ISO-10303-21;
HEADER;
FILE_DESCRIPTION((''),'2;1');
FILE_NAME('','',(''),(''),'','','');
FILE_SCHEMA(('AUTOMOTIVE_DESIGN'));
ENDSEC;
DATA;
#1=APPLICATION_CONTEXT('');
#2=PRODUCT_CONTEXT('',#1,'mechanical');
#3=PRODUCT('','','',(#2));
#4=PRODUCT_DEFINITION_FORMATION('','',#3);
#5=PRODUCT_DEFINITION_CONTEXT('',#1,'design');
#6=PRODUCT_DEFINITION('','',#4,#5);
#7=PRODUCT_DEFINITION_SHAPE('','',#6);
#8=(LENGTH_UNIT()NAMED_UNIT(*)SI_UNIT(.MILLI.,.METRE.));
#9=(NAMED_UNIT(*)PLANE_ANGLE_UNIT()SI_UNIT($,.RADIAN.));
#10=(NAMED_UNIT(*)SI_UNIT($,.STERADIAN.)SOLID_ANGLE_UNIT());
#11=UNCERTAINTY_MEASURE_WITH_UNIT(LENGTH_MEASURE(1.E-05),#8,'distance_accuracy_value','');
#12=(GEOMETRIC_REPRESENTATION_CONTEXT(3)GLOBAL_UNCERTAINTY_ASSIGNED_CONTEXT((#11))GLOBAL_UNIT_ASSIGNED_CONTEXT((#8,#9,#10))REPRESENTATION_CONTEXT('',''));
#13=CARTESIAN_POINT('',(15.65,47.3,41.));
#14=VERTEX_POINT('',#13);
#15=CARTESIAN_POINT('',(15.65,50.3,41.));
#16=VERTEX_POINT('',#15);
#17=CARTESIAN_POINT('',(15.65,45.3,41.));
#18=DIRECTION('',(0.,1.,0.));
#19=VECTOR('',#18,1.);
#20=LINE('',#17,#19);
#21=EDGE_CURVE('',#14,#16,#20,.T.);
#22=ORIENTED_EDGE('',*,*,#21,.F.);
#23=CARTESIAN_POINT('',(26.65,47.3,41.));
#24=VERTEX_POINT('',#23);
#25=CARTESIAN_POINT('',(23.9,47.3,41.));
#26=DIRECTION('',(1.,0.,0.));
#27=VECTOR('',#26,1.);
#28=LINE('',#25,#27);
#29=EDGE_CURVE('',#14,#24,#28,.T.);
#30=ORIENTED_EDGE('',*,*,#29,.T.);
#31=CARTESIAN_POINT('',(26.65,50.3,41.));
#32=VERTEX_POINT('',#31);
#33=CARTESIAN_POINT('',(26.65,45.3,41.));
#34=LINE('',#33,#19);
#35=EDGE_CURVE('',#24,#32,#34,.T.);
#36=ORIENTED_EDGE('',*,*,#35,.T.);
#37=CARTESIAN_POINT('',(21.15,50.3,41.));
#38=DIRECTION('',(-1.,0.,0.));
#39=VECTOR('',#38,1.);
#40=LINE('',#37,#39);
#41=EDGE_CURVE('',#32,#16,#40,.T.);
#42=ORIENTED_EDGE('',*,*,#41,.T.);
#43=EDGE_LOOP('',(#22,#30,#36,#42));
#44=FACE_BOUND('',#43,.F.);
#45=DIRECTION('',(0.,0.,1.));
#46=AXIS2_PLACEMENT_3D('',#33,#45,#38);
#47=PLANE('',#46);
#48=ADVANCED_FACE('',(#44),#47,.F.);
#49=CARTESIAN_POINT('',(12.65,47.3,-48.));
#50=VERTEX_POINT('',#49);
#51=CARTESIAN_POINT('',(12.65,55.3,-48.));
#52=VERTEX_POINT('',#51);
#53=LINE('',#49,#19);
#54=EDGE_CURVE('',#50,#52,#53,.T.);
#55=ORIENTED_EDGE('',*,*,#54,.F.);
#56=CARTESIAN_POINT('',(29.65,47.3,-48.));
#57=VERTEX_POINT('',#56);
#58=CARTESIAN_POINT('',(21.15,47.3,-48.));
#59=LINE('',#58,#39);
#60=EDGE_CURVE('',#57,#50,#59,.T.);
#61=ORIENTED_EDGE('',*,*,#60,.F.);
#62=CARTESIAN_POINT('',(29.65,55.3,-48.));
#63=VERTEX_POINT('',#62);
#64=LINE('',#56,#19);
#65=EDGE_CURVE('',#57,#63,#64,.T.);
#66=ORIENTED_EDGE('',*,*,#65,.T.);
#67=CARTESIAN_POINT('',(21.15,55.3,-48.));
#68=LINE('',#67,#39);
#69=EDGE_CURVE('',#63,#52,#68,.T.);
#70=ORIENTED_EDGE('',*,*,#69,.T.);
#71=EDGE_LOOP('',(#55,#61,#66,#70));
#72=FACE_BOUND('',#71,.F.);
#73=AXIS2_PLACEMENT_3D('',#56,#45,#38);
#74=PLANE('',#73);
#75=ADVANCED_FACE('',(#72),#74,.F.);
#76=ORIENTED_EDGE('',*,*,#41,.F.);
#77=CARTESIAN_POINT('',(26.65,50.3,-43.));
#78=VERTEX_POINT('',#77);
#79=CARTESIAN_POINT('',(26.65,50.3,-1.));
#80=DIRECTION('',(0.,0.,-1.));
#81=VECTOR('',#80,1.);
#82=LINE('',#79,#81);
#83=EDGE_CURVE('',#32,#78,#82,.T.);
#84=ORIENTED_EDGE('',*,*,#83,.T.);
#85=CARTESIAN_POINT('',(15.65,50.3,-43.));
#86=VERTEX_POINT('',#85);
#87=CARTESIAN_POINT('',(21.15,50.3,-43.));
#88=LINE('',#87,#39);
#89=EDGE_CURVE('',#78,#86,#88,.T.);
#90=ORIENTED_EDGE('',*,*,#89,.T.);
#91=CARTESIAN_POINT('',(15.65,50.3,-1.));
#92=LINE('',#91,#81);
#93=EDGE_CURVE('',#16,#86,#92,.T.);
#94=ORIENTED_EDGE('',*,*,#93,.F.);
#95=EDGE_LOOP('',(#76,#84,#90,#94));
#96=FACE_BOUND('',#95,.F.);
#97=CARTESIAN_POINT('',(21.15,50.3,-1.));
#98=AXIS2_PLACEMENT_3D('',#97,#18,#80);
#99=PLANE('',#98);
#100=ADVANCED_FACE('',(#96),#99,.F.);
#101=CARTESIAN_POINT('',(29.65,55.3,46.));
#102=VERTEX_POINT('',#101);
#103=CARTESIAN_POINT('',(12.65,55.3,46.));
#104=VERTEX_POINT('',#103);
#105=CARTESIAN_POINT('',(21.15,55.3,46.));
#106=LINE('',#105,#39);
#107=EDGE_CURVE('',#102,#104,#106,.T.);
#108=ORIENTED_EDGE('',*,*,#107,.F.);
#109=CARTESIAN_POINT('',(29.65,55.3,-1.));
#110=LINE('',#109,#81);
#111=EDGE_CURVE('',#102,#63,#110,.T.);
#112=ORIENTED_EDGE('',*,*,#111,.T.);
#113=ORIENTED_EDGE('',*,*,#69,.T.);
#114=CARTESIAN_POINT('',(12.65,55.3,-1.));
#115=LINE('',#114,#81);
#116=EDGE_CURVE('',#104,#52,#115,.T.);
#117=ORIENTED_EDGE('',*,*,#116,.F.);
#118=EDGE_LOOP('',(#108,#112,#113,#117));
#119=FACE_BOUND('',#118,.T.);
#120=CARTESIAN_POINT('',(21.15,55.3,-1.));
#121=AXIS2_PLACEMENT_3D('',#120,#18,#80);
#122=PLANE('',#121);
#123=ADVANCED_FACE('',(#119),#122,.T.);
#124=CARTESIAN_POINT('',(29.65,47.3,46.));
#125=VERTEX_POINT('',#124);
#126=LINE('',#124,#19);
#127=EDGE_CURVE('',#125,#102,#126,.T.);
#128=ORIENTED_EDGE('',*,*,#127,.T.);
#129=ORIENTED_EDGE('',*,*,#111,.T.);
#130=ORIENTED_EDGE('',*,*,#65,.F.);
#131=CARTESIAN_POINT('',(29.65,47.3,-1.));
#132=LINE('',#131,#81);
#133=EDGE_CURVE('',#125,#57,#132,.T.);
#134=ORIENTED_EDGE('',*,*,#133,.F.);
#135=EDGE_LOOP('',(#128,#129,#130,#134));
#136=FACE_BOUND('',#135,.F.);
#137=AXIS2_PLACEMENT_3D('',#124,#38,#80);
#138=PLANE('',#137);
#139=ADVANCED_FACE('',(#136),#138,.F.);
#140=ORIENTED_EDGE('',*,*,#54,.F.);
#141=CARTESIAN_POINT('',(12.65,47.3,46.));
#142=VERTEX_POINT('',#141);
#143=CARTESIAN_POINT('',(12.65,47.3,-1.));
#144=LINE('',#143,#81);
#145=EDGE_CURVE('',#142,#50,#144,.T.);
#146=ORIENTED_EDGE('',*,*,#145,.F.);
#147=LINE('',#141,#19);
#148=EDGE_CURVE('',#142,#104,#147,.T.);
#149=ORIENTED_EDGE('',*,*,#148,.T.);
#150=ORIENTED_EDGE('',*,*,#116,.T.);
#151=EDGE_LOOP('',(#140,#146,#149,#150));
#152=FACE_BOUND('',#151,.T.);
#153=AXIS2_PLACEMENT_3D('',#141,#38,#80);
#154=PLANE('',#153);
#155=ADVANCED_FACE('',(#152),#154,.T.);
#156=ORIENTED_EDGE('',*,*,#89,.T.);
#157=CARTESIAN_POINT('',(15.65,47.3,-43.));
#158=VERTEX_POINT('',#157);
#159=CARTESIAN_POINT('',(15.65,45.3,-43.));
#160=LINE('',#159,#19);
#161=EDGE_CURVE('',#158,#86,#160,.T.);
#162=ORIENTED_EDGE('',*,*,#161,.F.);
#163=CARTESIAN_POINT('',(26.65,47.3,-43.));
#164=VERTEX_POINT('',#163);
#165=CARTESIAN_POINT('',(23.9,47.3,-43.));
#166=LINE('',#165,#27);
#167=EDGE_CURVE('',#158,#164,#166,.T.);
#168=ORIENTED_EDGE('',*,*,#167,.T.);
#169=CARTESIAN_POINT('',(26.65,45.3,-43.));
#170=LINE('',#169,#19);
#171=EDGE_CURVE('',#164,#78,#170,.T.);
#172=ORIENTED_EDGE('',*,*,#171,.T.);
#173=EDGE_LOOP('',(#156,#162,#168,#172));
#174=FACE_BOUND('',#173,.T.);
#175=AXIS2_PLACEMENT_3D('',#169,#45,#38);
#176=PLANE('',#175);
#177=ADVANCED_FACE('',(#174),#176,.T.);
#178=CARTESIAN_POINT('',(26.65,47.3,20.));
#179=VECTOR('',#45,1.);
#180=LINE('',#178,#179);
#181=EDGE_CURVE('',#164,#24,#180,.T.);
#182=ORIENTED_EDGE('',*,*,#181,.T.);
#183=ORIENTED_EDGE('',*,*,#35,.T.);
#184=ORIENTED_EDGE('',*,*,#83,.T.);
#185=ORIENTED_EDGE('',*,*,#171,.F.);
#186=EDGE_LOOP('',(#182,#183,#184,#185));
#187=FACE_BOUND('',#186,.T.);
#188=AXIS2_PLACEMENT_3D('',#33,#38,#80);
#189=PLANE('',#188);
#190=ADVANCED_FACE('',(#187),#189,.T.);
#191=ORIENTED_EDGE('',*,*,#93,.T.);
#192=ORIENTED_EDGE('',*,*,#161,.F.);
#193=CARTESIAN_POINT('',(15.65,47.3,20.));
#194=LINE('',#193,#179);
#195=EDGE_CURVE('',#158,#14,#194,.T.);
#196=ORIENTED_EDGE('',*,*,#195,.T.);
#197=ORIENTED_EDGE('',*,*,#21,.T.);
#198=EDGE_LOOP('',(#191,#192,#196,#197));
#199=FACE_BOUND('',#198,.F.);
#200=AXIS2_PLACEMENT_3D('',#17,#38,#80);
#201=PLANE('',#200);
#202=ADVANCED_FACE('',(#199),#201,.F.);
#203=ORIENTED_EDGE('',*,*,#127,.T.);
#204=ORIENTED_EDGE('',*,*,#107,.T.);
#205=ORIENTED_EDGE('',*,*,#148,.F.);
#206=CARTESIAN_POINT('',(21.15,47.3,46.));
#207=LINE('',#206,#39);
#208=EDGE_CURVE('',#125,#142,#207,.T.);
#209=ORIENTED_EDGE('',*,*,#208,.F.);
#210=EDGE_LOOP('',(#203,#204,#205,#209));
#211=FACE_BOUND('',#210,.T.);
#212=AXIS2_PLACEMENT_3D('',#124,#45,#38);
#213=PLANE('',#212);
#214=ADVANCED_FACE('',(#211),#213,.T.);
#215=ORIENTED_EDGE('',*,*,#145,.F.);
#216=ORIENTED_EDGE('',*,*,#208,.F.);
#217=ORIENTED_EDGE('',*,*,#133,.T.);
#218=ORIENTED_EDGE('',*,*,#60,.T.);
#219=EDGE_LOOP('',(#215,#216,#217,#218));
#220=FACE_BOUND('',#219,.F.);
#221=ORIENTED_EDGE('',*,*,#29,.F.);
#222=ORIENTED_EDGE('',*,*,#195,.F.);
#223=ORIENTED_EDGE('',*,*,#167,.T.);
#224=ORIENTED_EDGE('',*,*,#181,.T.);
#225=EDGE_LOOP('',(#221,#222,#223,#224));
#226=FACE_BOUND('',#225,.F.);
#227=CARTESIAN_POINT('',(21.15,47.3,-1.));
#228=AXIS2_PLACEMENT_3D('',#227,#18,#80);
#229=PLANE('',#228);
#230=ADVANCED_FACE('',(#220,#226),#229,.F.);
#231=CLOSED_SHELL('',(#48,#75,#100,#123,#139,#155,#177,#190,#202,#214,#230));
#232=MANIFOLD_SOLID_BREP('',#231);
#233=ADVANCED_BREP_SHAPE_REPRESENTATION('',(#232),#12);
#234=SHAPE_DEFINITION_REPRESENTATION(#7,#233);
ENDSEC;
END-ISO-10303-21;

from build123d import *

# Parameters (mm, degrees)
BOX009_W               = 84
BOX009_H               = 11
BOX009_DEPTH           = 5
BOX008_W               = 94
BOX008_H               = 17
BOX008_DEPTH           = 8
CUT009_PITCH_ANGLE     = 90
CUT009_PLACEMENT_ANGLE = 90


with BuildPart() as slidemodulenegative:
    # Box009 → Box009 (new body)
    with BuildSketch(Plane.XY.offset(-2)):
        with Locations((42, 5.5)):
            Rectangle(BOX009_W, BOX009_H)
    extrude(amount=BOX009_DEPTH)


with BuildPart() as slidingmodule:
    # Box008 → Box008 (new body)
    with BuildSketch(Plane(origin=(-5, -3, 0), x_dir=(1, 0, 0), z_dir=(0, 0, 1))):
        with Locations((47, 8.5)):
            Rectangle(BOX008_W, BOX008_H)
    extrude(amount=BOX008_DEPTH)

    # Cut009: cut SlideModuleNegative
    add(slidemodulenegative.part, mode=Mode.SUBTRACT)


with BuildPart() as slidingmodule_1:
    # Cut009 pitch: moved
    add(slidingmodule.part.rotate(Axis((0, 0, 0), (0, 1, 0)), CUT009_PITCH_ANGLE))


with BuildPart() as slidingmodule_2:
    # Cut009 placement: moved
    add(slidingmodule_1.part.moved(Location((26.65, 47.3, 41))).rotate(Axis((26.65, 47.3, 41), (0, 0, 1)), CUT009_PLACEMENT_ANGLE))


solid = slidingmodule_2.part
